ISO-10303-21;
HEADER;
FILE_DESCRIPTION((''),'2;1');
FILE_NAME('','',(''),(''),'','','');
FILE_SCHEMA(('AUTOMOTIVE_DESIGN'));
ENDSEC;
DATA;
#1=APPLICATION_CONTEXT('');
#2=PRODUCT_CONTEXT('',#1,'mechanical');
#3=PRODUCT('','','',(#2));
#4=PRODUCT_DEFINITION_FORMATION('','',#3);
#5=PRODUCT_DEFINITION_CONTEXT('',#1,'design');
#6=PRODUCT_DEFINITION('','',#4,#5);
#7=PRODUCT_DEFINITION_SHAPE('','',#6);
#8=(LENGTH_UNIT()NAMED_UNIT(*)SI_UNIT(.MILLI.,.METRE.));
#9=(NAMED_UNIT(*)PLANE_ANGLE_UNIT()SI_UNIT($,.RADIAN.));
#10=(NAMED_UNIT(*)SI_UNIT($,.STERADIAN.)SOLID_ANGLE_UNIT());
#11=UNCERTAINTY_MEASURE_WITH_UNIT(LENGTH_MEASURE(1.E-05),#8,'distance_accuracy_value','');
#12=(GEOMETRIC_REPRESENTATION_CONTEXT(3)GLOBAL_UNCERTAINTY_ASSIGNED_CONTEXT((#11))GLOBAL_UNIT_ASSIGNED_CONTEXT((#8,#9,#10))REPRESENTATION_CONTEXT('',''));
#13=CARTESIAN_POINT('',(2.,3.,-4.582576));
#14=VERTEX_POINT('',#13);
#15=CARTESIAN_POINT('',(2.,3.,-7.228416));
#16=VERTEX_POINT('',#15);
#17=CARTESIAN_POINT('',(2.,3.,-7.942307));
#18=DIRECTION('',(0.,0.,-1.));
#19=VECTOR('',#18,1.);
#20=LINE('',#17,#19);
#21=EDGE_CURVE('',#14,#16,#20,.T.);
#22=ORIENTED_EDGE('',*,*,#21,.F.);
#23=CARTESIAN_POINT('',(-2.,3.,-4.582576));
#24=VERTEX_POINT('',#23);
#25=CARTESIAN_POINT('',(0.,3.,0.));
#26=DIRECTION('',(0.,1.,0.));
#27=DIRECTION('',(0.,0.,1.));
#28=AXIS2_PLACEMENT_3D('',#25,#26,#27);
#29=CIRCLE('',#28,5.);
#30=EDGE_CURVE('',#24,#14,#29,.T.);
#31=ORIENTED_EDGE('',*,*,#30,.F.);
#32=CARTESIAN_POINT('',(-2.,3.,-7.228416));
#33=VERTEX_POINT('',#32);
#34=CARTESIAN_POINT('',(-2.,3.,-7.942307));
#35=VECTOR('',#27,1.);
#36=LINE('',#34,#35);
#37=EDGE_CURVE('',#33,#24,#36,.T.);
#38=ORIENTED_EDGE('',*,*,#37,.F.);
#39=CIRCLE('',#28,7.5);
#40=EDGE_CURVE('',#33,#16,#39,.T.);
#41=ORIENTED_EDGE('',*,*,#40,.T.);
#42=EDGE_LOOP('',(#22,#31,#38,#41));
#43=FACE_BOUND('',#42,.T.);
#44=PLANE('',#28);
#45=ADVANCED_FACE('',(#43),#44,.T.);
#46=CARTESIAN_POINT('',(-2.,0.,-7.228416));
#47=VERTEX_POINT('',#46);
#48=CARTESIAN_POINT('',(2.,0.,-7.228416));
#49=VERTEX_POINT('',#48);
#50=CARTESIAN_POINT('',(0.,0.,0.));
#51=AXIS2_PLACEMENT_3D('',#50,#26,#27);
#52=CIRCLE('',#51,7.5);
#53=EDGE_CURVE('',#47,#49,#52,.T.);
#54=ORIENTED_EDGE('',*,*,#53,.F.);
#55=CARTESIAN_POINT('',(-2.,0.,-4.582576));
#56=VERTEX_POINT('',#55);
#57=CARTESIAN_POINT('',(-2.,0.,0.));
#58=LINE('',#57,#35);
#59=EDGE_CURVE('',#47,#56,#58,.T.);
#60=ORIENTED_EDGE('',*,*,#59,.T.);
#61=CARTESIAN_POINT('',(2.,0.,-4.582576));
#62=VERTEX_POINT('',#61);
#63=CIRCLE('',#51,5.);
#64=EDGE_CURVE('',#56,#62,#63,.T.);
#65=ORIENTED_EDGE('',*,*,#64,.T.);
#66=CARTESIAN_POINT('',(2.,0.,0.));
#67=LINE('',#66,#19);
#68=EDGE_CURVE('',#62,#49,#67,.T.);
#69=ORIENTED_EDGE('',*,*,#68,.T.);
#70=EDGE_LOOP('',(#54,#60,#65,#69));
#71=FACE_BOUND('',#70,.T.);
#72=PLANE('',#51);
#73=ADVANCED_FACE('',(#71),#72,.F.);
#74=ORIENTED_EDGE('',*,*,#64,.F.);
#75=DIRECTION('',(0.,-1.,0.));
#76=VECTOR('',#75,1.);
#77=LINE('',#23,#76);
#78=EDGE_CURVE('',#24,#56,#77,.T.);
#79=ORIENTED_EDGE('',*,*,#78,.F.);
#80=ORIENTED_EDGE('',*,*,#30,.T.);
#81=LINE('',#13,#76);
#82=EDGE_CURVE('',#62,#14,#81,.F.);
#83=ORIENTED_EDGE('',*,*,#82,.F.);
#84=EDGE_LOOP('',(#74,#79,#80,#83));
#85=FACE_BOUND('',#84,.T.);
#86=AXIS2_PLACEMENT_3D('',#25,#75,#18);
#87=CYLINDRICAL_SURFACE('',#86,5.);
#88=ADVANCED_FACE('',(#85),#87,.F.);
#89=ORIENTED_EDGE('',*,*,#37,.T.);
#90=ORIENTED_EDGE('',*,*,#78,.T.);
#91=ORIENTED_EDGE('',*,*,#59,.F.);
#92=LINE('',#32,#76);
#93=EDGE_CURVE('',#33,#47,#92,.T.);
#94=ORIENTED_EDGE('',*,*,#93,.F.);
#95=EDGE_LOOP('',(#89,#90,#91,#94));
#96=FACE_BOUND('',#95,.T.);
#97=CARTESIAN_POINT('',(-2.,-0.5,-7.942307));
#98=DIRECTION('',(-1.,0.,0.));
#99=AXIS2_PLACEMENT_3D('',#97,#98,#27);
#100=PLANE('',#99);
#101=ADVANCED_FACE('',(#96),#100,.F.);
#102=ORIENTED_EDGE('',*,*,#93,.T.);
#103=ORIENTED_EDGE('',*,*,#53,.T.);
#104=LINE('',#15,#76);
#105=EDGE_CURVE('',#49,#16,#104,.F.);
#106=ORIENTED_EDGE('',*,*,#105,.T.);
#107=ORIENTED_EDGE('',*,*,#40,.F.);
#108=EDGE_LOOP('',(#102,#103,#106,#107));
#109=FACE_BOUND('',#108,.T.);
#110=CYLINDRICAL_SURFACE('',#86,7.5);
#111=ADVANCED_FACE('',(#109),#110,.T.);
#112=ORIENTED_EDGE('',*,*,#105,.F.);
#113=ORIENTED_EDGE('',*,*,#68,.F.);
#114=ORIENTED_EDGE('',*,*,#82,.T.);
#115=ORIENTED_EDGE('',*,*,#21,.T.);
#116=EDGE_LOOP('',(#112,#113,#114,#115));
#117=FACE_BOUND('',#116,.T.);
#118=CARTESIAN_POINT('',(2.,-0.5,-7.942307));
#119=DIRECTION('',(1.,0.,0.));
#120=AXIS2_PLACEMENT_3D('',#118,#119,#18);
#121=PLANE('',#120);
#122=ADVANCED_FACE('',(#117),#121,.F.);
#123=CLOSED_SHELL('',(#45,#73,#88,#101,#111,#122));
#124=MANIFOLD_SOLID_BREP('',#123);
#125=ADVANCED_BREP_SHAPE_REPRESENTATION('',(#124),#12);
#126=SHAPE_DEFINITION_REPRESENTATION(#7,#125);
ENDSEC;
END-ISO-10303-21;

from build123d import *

# Parameters (mm, degrees)
SKETCH1_R           = 7.5
SKETCH1_R_2         = 5
BOSS_EXTRUDE1_DEPTH = 3
SKETCH2_W           = 4
SKETCH2_H           = 4
CUT_EXTRUDE1_DEPTH  = 3.5


with BuildPart() as part:
    # Sketch1 → Boss-Extrude1 (new body)
    with BuildSketch(Plane(origin=(0, 0, 0), x_dir=(1, 0, 0), z_dir=(0, 1, 0))):
        with Locations(Location((0, 0, 0), (0, 0, 270))):
            Circle(SKETCH1_R)
        with Locations(Location((0, 0, 0), (0, 0, 270))):
            Circle(SKETCH1_R_2, mode=Mode.SUBTRACT)
    extrude(amount=BOSS_EXTRUDE1_DEPTH)

    # Sketch2 → Cut-Extrude1 (cut)
    with BuildSketch(Plane(origin=(0, 3, 0), x_dir=(1, 0, 0), z_dir=(0, 1, 0))):
        with Locations((0, 5.942306576)):
            Rectangle(SKETCH2_W, SKETCH2_H)
    extrude(amount=-CUT_EXTRUDE1_DEPTH, mode=Mode.SUBTRACT)


solid = part.part
